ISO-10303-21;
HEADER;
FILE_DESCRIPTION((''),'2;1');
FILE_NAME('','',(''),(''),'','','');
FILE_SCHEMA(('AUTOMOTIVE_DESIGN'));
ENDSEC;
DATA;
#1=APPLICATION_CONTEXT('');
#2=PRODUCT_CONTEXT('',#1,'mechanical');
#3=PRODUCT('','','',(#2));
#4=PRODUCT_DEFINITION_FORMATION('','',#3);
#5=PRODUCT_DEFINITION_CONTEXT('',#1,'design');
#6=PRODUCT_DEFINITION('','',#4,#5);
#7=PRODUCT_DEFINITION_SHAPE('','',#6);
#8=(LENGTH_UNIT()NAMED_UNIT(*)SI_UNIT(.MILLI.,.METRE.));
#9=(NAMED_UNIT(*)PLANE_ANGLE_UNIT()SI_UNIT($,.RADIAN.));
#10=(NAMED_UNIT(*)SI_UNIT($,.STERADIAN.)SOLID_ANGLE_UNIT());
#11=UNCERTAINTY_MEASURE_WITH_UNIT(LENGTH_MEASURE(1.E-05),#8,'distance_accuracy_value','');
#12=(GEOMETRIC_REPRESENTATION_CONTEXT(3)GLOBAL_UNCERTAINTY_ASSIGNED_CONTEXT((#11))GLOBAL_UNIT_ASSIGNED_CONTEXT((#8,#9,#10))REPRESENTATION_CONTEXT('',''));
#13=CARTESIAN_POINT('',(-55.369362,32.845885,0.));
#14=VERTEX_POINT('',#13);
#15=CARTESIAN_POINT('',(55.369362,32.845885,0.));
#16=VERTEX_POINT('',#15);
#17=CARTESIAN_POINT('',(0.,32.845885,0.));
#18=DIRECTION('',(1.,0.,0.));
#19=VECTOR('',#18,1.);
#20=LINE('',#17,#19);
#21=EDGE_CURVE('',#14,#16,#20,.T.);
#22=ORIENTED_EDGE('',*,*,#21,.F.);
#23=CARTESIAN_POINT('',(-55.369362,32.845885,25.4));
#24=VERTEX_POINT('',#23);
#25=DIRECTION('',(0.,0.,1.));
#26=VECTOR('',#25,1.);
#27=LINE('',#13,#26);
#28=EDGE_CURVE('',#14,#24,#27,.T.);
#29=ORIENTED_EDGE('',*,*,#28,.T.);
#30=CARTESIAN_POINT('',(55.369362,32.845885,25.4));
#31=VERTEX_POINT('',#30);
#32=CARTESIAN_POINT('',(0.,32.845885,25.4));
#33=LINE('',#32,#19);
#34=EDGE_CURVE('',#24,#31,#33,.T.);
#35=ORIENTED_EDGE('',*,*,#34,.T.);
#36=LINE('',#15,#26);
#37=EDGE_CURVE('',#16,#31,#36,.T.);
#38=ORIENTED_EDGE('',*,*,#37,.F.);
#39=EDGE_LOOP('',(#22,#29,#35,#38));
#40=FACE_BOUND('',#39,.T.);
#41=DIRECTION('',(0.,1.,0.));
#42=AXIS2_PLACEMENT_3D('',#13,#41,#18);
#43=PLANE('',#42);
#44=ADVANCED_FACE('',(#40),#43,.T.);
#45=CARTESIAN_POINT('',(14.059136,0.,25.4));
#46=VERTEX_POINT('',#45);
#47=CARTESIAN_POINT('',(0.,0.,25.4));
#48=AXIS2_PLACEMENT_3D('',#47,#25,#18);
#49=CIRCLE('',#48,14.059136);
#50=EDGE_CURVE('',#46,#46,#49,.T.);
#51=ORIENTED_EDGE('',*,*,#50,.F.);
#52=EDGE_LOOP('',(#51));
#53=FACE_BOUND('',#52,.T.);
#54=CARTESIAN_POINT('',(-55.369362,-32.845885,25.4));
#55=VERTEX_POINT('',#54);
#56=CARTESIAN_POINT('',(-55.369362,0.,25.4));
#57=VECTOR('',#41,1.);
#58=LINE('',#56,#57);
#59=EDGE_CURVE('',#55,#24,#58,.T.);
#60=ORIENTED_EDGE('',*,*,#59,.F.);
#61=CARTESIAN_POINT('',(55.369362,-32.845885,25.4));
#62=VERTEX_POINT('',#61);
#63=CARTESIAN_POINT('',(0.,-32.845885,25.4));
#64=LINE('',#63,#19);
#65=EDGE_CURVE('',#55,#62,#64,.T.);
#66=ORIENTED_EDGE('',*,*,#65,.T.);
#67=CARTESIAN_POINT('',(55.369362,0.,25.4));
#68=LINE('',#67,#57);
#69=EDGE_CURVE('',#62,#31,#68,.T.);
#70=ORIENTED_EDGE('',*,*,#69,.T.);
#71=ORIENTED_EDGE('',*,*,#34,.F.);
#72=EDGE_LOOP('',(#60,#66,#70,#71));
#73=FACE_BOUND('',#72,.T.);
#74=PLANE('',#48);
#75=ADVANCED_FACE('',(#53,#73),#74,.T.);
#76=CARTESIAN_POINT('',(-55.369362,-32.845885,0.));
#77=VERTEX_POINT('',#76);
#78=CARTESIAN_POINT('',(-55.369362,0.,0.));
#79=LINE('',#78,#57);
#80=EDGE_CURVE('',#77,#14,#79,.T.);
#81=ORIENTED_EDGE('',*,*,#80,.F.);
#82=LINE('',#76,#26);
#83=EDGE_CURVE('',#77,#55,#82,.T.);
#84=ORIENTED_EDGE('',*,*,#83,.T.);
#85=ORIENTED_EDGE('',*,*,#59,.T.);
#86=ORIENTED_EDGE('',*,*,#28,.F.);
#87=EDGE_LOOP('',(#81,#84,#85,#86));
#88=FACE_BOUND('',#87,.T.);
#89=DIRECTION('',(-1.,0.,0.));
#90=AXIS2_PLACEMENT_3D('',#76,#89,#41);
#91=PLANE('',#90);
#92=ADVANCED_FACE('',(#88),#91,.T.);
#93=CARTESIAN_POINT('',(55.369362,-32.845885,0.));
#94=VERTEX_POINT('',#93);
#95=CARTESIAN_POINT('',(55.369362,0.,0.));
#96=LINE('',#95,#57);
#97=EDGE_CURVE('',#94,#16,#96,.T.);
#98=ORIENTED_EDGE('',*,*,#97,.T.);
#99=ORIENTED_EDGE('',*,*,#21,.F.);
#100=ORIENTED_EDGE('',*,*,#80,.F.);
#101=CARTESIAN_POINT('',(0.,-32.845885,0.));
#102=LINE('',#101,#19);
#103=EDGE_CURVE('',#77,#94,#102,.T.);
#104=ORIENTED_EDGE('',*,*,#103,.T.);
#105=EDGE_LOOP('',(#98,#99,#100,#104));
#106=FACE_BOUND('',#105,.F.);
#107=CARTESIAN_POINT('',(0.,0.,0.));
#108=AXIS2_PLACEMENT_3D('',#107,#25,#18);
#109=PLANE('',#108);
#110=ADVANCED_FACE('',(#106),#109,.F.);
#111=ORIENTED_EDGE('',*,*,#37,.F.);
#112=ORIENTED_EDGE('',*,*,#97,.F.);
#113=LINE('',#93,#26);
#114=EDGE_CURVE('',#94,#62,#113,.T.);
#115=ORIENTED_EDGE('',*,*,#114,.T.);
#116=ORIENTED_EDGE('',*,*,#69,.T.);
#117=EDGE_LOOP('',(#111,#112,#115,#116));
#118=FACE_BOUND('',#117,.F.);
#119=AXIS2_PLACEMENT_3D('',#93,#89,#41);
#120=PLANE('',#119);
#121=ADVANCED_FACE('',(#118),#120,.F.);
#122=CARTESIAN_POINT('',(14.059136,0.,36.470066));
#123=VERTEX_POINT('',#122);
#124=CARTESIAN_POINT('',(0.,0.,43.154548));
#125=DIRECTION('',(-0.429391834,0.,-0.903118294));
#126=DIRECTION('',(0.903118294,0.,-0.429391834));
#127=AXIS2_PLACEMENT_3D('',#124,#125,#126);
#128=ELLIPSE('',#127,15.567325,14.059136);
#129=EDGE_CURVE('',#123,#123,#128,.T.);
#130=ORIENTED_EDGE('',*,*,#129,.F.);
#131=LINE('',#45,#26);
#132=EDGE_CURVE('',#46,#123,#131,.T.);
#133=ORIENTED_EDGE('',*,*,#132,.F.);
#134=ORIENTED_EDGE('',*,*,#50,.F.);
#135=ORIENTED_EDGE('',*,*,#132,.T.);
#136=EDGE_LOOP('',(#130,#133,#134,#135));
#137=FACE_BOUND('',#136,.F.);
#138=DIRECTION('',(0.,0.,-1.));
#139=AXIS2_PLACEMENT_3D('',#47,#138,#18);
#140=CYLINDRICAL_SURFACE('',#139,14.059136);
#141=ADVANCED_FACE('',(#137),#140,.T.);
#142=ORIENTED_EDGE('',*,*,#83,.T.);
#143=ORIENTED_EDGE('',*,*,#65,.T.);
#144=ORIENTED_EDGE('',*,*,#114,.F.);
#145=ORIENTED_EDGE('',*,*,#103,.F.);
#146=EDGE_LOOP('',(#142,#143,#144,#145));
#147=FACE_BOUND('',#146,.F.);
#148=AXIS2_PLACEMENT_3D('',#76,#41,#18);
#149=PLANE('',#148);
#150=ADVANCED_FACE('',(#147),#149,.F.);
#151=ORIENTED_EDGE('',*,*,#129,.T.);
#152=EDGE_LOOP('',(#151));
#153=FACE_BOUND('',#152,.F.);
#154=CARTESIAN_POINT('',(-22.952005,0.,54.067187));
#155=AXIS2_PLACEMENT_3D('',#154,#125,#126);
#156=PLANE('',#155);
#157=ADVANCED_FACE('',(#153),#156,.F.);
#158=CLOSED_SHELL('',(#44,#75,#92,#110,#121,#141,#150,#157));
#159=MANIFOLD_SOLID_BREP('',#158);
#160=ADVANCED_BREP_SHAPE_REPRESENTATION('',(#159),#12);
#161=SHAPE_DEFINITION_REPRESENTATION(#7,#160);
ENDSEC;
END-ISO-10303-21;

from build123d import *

# Parameters (mm, degrees)
F0_W     = 110.738724
F0_H     = 65.69177
F1_DEPTH = 25.4
F2_R     = 14.059136
F3_DEPTH = 50.8
F5_DEPTH = 50.8
F7_DEPTH = 25.4


with BuildPart() as f1:
    # F0 (on Top) → F1 (new body)
    with BuildSketch(Plane.XY):
        Rectangle(F0_W, F0_H)
    extrude(amount=F1_DEPTH)

    # F2 (on face) → F3 (join)
    with BuildSketch(Plane.XY.offset(25.4)):
        Circle(F2_R)
    extrude(amount=F3_DEPTH)

    # F4 (on Front) → F5 (cut, symmetric)
    with BuildSketch(Plane.XZ):
        Polygon((27.752033, 54.067187), (-22.952005, 54.067187), (27.752033, 29.959714), align=None)
    extrude(amount=F5_DEPTH, both=True, mode=Mode.SUBTRACT)

    # F6 (on Front) → F7 (cut, symmetric)
    with BuildSketch(Plane.XZ):
        Polygon((-32.981899, 81.521302), (-32.981899, 52.895501), (34.759905, 52.895501), (27.647903, 81.521302), align=None)
    extrude(amount=F7_DEPTH, both=True, mode=Mode.SUBTRACT)


solid = f1.part
